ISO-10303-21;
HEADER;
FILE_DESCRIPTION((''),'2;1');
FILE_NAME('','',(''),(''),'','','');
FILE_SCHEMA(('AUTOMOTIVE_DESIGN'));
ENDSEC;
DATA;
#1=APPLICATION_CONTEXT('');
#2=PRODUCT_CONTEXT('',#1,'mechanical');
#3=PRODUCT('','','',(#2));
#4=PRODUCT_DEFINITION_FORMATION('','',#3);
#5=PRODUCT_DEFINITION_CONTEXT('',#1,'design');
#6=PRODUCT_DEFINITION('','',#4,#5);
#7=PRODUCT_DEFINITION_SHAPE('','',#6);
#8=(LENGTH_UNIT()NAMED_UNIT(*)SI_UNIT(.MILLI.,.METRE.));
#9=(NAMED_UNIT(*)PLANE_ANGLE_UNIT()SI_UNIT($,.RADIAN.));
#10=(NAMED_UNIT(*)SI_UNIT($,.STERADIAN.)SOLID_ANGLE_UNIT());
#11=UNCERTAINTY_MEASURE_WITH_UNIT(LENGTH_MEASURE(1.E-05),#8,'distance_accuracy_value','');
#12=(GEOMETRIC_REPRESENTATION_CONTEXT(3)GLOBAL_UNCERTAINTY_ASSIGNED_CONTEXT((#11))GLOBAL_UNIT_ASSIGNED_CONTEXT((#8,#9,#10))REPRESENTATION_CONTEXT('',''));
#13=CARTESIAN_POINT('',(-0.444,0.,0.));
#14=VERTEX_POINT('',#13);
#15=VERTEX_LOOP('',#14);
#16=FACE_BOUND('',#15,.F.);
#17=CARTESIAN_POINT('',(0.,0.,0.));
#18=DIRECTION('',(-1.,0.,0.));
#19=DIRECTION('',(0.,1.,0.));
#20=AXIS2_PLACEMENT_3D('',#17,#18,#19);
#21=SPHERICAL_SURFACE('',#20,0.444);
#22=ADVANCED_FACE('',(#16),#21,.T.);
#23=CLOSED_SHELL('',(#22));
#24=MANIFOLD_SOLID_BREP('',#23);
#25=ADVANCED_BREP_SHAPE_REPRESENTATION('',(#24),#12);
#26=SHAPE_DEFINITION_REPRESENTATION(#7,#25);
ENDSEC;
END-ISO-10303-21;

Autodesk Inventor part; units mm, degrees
sketch "Sketch_1" plane through (0, 0, 0) normal (0, 0, 1) x (1, 0, 0)
  line L0 (0.444, 0) -> (-0.444, 0)
  arc A0 (0.444, 0) -> (-0.444, 0) centre (0, 0) ccw
  line L1 (0.444, 0) -> (-0.444, 0)
revolve "Revolution1" add sketch "Sketch_1" angle 360 about axis through (0.444, 0, 0) along (1, 0, 0)
ref_plane "mss_ball_XY" through (0, 0, 0) normal (1, 0, 0) x (0, 0, -1)
ref_plane "mss_ball_YZ" through (0, 0, 0) normal (0, 0, -1) x (0, 1, 0)
ref_plane "mss_ball_ZX" through (0, 0, 0) normal (0, 1, 0) x (1, 0, 0)
properties part number "673 Ball"
